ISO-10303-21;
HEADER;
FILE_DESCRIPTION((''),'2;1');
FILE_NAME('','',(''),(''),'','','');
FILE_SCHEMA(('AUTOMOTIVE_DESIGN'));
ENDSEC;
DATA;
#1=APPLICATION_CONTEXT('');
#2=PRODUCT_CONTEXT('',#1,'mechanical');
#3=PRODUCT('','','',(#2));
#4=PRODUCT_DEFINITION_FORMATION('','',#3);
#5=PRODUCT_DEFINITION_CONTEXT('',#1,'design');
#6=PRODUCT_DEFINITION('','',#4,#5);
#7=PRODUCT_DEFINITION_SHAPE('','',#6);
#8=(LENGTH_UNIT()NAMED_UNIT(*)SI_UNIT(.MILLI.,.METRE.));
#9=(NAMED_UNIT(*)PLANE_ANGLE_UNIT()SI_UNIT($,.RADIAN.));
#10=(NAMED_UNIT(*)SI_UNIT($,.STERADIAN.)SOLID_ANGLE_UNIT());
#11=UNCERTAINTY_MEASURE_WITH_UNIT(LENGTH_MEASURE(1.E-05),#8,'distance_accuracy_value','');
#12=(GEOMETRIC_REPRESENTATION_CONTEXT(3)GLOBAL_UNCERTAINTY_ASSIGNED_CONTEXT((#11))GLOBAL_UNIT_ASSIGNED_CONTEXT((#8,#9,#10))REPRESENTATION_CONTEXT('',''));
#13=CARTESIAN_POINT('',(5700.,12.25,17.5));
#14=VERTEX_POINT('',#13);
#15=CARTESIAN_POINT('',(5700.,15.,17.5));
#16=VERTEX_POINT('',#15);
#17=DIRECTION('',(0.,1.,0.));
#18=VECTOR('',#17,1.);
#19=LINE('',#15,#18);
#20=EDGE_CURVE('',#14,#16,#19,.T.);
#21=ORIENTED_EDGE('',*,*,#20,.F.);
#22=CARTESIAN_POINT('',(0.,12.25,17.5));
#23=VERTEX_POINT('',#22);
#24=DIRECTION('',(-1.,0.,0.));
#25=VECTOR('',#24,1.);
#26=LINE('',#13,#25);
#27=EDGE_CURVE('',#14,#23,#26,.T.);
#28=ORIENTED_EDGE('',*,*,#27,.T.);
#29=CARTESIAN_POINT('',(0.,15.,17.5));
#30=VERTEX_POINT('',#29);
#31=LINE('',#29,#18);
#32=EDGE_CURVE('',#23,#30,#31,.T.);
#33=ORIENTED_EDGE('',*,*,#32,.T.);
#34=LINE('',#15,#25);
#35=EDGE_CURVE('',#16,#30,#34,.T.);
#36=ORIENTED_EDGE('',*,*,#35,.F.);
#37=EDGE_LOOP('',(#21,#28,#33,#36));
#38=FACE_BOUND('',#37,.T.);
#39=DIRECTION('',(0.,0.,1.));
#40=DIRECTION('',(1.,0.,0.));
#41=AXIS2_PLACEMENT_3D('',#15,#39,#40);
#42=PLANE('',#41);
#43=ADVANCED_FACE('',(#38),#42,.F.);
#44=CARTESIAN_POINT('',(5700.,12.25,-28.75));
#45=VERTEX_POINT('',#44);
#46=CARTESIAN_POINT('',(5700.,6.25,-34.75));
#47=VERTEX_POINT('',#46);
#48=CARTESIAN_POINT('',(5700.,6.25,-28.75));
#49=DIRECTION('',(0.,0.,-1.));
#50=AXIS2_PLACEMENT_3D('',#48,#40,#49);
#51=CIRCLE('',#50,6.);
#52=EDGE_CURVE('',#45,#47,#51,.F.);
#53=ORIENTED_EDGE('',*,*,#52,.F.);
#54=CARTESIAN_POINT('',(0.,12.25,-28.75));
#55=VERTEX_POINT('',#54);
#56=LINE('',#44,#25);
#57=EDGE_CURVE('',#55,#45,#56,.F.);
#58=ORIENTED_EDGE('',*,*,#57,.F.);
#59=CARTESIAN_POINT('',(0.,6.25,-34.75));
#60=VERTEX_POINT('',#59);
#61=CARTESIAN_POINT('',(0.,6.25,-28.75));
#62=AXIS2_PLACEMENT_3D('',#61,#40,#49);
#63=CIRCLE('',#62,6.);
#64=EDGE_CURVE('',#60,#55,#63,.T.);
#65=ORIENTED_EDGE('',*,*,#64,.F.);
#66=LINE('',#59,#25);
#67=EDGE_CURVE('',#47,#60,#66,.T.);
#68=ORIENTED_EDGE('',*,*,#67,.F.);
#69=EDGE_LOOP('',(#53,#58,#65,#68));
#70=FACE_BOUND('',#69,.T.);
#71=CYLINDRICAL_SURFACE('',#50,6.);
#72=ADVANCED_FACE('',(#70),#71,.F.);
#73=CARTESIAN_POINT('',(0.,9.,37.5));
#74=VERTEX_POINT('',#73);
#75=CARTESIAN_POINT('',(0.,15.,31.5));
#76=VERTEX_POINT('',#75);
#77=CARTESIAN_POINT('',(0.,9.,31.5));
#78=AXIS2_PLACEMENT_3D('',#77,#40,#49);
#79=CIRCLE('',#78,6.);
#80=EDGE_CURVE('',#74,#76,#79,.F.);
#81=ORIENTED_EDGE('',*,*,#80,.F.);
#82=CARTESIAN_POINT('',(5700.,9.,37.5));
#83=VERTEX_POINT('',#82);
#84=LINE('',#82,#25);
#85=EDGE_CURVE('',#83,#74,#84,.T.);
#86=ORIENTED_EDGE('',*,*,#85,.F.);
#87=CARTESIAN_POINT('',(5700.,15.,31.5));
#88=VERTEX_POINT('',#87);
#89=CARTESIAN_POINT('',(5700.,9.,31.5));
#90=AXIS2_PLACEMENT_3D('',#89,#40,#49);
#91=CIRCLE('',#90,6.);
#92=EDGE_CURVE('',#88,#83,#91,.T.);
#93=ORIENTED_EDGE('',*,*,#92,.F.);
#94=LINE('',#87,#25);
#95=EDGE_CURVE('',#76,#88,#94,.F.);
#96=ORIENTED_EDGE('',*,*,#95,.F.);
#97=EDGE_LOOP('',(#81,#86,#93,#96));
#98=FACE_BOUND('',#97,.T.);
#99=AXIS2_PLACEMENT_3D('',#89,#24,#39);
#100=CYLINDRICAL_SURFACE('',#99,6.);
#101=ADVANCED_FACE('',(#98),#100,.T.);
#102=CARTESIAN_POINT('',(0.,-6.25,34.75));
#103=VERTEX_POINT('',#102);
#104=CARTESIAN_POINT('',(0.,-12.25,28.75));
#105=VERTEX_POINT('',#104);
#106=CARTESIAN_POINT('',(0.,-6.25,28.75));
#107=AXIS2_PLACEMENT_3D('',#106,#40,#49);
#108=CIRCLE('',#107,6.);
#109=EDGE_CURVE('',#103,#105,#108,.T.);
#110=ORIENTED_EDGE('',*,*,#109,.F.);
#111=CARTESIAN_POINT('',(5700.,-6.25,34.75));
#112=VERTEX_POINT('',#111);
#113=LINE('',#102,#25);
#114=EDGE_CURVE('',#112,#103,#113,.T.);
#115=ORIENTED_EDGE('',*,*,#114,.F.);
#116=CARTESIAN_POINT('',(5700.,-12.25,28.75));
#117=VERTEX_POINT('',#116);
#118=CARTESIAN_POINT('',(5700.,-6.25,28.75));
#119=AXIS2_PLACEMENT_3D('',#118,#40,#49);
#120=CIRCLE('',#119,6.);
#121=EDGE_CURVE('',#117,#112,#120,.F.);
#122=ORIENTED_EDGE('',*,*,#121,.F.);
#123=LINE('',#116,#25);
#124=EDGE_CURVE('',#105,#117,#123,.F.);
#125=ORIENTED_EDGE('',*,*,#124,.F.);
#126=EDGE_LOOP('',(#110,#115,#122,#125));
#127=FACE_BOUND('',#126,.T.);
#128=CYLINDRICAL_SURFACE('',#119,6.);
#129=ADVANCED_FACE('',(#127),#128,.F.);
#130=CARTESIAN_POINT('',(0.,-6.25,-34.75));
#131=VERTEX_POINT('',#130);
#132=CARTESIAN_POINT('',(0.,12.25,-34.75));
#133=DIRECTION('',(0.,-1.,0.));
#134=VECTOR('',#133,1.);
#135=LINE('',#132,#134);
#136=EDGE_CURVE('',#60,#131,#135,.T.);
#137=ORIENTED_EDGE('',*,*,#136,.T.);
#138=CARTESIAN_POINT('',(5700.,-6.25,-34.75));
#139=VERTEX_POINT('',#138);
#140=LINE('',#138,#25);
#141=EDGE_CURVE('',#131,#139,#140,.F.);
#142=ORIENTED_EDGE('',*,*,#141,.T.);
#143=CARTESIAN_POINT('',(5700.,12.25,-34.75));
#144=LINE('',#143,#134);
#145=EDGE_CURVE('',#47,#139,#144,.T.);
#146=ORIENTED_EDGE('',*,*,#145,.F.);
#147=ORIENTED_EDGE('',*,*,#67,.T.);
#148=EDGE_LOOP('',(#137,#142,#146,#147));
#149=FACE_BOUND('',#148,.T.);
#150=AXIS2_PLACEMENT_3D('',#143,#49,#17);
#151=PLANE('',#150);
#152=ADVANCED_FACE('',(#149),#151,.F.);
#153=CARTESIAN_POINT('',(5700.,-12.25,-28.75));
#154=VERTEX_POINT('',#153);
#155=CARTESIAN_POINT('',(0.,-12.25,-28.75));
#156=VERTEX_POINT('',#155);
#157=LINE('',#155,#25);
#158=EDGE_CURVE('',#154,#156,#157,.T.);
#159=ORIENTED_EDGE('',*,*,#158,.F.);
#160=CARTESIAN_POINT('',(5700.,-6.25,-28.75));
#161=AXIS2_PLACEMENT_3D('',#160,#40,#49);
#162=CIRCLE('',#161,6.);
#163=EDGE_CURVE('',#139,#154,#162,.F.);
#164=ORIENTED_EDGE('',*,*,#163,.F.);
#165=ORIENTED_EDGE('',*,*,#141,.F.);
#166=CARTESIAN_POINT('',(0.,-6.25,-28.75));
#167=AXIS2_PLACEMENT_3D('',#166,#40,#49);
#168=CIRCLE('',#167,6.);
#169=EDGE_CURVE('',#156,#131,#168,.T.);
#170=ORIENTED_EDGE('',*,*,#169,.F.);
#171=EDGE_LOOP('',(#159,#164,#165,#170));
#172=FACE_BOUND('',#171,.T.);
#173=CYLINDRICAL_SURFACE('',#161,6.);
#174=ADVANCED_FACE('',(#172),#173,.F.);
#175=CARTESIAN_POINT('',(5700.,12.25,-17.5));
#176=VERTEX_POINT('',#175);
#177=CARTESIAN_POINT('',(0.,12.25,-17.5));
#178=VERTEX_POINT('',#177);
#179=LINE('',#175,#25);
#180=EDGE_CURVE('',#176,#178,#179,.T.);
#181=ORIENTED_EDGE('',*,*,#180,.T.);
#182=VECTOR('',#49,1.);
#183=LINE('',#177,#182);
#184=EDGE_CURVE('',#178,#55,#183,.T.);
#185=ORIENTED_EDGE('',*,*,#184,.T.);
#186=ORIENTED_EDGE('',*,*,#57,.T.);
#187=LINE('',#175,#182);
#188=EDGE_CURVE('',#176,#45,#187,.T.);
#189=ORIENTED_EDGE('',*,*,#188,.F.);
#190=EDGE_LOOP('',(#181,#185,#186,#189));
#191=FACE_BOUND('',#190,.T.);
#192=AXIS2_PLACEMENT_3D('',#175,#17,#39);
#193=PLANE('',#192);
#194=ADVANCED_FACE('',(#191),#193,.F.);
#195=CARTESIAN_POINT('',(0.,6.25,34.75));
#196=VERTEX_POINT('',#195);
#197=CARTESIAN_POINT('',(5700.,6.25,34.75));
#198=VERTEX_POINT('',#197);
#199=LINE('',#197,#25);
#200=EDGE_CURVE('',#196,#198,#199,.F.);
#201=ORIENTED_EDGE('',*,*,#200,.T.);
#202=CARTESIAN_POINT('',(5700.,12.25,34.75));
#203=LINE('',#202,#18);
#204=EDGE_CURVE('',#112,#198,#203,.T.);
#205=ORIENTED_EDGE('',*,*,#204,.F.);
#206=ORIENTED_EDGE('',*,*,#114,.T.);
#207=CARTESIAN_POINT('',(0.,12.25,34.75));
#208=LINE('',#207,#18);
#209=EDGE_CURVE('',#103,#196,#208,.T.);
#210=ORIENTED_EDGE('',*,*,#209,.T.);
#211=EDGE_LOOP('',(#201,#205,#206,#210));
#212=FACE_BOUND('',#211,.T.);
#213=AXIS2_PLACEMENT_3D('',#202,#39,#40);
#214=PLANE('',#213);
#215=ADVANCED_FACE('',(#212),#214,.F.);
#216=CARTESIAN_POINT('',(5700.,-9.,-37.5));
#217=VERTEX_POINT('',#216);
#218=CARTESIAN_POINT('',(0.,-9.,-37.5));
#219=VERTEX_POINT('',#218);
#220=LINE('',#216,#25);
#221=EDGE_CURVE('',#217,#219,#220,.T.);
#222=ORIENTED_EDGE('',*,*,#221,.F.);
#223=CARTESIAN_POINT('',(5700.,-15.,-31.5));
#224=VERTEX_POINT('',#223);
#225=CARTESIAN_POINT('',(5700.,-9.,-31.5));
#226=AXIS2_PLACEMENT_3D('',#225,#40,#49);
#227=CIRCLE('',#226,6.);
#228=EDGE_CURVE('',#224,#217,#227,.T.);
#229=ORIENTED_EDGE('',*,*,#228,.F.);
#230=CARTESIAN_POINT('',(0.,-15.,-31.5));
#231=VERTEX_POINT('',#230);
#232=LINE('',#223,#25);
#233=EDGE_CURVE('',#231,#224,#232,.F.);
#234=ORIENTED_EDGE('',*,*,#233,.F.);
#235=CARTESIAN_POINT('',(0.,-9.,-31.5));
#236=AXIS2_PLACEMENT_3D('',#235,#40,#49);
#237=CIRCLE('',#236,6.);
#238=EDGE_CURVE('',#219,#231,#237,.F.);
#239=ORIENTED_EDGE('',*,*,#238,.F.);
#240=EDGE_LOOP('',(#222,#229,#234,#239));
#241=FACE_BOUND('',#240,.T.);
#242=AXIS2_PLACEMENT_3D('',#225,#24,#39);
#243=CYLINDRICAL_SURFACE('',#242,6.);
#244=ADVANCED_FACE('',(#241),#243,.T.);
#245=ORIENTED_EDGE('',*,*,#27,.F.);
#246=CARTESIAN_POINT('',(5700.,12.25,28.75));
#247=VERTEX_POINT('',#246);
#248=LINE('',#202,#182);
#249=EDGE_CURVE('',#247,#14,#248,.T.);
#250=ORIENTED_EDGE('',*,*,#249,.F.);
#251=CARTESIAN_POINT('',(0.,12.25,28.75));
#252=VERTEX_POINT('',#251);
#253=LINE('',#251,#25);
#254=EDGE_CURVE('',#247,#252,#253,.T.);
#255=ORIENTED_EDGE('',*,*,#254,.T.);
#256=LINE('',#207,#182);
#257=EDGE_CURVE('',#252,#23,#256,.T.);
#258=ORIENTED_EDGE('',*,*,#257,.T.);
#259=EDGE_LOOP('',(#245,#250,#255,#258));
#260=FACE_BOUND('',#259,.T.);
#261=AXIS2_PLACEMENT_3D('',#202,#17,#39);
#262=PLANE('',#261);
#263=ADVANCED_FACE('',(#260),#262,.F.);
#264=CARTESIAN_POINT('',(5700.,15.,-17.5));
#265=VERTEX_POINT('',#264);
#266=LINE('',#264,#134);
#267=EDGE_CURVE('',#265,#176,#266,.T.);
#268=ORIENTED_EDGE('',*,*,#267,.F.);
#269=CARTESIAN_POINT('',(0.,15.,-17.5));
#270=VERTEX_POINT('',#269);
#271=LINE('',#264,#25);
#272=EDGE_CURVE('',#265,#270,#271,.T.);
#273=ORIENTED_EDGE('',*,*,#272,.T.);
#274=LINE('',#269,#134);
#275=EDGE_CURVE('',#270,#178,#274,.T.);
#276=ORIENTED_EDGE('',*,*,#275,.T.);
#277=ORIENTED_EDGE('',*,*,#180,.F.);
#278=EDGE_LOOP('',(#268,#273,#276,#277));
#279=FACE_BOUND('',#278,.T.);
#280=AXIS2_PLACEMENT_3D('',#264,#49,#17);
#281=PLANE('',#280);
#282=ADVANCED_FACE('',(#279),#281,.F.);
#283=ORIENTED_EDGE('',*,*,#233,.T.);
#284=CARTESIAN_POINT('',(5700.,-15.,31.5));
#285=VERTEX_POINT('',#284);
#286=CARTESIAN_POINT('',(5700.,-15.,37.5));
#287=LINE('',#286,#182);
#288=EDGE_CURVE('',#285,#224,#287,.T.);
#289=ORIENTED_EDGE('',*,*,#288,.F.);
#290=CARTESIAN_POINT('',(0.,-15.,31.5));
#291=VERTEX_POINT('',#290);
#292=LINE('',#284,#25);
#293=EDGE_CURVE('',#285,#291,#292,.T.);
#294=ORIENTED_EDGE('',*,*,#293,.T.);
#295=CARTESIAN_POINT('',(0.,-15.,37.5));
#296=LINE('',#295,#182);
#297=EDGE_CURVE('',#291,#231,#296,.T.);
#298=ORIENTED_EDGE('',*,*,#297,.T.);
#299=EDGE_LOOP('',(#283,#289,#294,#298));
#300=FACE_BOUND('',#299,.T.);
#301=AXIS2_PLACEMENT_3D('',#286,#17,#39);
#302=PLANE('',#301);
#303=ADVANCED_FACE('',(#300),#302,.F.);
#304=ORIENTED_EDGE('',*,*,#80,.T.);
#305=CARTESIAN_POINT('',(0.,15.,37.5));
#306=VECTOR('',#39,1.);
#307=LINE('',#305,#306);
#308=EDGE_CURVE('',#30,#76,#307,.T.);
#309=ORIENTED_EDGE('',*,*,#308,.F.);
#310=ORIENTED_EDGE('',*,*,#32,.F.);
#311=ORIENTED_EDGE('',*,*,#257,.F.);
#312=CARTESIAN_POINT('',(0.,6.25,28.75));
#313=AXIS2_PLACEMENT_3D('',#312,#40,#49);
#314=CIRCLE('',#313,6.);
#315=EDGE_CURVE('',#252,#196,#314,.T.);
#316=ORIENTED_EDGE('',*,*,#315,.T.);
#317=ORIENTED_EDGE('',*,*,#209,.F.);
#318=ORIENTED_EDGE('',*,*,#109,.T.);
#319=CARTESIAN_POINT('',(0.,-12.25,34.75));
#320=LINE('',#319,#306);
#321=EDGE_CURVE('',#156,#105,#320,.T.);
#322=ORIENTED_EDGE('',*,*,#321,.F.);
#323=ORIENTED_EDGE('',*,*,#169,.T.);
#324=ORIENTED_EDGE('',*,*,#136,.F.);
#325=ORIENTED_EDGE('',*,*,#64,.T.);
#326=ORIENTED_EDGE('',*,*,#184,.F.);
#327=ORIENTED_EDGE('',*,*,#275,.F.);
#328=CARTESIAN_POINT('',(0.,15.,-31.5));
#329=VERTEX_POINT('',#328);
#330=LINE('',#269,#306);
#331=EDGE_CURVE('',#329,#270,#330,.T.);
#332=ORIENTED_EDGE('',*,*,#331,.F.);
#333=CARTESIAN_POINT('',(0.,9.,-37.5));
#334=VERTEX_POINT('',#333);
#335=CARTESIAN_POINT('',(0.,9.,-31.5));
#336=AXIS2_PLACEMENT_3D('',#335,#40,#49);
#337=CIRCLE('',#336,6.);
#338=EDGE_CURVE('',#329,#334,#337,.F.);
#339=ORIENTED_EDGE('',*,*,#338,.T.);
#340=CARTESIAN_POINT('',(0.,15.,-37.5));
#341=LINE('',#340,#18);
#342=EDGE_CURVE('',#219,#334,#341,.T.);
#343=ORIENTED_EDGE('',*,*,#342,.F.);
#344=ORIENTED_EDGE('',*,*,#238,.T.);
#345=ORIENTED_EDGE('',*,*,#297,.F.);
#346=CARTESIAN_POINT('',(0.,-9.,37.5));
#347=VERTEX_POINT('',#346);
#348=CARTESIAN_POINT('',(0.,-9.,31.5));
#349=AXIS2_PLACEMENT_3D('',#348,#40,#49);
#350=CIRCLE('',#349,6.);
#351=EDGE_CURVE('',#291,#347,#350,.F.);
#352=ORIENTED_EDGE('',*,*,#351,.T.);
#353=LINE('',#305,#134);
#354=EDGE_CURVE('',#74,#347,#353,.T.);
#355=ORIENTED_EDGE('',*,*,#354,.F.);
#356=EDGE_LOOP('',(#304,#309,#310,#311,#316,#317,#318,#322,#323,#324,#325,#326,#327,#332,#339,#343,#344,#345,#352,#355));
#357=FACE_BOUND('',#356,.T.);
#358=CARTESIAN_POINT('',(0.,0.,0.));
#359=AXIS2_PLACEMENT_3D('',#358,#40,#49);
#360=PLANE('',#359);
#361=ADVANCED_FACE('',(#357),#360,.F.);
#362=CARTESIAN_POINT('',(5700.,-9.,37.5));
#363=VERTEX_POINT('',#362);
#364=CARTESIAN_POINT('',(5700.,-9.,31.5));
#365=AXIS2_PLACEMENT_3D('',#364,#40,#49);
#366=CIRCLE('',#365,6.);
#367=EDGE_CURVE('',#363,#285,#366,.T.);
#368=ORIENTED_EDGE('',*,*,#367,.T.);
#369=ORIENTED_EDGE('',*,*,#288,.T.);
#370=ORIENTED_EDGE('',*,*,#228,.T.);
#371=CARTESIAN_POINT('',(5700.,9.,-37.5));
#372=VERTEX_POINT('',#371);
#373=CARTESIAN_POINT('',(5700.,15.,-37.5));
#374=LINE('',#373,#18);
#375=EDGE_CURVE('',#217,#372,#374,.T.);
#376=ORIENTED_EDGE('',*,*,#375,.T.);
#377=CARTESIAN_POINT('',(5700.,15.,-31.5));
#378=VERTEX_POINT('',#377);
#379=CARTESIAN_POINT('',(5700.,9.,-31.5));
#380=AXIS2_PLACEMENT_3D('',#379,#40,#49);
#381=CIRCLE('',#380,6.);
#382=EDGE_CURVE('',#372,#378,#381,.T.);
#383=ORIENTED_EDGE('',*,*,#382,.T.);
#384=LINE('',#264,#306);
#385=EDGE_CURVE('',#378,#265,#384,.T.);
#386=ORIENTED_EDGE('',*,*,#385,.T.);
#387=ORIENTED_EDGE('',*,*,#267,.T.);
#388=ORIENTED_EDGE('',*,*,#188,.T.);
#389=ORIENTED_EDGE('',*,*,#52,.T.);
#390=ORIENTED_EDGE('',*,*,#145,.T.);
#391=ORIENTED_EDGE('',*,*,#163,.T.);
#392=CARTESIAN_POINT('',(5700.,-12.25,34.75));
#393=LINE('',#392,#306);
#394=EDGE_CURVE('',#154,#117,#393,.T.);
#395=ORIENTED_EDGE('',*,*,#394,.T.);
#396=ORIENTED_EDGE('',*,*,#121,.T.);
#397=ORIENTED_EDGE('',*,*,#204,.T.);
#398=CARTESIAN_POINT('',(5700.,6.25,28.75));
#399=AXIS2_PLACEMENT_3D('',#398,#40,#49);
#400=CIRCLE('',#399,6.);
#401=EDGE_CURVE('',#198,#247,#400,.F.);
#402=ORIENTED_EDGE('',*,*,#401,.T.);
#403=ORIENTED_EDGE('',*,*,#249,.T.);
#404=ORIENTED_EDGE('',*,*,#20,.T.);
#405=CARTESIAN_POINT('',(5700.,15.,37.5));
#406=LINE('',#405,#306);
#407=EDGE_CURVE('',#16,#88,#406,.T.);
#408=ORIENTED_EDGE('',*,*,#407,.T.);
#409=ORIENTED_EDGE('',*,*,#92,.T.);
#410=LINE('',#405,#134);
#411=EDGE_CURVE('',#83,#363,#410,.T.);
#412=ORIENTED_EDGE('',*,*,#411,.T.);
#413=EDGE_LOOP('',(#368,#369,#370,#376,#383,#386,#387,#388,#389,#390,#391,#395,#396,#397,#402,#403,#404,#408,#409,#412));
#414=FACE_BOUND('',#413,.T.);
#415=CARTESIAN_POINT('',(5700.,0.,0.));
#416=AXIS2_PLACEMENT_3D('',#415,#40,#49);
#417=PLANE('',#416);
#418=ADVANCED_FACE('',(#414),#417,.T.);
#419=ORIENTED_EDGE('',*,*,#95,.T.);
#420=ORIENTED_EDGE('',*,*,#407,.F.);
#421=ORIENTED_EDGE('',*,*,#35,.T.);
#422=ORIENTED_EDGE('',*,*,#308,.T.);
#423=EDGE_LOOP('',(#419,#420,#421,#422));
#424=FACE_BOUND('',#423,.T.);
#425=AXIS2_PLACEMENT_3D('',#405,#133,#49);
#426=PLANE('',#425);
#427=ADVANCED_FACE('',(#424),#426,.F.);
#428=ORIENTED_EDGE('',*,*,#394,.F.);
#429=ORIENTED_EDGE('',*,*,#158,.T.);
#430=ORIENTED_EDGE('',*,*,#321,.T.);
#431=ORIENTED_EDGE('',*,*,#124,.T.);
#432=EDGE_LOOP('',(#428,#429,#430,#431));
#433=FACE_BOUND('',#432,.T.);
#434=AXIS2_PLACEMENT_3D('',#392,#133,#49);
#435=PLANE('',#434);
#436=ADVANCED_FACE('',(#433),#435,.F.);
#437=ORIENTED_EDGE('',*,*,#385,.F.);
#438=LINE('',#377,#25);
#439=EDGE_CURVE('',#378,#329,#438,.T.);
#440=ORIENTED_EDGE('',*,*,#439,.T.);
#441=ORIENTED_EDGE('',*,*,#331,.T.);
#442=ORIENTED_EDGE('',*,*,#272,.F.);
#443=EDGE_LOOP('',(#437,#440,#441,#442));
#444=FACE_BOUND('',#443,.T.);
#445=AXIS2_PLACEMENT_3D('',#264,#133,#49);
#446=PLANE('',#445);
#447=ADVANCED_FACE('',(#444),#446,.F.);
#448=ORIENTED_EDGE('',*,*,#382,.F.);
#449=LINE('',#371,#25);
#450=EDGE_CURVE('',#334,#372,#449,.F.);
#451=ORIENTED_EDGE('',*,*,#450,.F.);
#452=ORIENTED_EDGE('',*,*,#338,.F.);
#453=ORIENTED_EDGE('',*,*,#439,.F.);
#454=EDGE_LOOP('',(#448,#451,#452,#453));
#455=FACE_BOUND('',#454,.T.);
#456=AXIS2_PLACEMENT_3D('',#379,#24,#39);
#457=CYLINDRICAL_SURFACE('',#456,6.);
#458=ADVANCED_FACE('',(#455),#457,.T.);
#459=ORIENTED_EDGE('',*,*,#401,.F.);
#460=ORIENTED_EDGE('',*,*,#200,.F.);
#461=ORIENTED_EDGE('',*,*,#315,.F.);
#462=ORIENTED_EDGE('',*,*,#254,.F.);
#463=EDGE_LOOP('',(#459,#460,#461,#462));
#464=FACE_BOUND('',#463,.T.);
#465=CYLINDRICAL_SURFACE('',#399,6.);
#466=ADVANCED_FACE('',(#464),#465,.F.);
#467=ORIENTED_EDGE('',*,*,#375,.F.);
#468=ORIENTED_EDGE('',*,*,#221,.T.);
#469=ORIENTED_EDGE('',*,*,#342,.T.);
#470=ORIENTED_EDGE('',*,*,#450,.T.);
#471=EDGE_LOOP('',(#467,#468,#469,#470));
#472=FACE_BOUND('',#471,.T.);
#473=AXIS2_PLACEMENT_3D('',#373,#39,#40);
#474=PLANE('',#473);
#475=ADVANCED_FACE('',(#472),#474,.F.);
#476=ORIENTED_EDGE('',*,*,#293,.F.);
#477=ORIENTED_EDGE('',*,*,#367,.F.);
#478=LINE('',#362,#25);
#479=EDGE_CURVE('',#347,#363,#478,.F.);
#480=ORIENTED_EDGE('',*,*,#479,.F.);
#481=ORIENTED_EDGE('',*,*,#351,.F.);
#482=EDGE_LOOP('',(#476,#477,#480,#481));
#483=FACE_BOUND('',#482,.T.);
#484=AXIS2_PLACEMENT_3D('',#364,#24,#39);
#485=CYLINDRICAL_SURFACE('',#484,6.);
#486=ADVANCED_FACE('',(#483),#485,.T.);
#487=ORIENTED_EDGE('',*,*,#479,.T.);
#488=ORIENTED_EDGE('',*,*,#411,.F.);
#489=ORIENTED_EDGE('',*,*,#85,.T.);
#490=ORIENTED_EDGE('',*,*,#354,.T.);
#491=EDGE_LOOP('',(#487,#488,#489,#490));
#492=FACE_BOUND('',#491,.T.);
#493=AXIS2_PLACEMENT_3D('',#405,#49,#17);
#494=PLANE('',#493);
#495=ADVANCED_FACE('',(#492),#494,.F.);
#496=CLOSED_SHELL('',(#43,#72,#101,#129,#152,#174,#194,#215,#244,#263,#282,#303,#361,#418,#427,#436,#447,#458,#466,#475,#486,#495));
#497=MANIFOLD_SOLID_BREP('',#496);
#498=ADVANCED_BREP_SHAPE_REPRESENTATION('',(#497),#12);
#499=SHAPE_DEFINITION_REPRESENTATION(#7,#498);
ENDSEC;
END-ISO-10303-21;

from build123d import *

# Parameters (mm, degrees)
RESSALTO_EXTRUS_O1_DEPTH = 5700
FILETE1_R                = 6


with BuildPart() as part:
    # Esboço1 → Ressalto-extrusão1 (new body)
    with BuildSketch(Plane(origin=(0, 0, 0), x_dir=(0, 0, -1), z_dir=(1, 0, 0))):
        Polygon((-34.75, 12.25), (-34.75, -12.25), (34.75, -12.25), (34.75, 12.25), (17.5, 12.25), (17.5, 15), (37.5, 15), (37.5, -15), (-37.5, -15), (-37.5, 15), (-17.5, 15), (-17.5, 12.25), align=None)
    extrude(amount=RESSALTO_EXTRUS_O1_DEPTH)

    # Filete1
    filete1_edges = [part.edges().sort_by_distance(p)[0] for p in [
        (2850, -15, -37.5),
        (2850, -15, 37.5),
        (2850, 15, 37.5),
        (2850, 12.25, 34.75),
        (2850, -12.25, 34.75),
        (2850, -12.25, -34.75),
        (2850, 12.25, -34.75),
        (2850, 15, -37.5),
    ]]
    fillet(filete1_edges, radius=FILETE1_R)


solid = part.part
